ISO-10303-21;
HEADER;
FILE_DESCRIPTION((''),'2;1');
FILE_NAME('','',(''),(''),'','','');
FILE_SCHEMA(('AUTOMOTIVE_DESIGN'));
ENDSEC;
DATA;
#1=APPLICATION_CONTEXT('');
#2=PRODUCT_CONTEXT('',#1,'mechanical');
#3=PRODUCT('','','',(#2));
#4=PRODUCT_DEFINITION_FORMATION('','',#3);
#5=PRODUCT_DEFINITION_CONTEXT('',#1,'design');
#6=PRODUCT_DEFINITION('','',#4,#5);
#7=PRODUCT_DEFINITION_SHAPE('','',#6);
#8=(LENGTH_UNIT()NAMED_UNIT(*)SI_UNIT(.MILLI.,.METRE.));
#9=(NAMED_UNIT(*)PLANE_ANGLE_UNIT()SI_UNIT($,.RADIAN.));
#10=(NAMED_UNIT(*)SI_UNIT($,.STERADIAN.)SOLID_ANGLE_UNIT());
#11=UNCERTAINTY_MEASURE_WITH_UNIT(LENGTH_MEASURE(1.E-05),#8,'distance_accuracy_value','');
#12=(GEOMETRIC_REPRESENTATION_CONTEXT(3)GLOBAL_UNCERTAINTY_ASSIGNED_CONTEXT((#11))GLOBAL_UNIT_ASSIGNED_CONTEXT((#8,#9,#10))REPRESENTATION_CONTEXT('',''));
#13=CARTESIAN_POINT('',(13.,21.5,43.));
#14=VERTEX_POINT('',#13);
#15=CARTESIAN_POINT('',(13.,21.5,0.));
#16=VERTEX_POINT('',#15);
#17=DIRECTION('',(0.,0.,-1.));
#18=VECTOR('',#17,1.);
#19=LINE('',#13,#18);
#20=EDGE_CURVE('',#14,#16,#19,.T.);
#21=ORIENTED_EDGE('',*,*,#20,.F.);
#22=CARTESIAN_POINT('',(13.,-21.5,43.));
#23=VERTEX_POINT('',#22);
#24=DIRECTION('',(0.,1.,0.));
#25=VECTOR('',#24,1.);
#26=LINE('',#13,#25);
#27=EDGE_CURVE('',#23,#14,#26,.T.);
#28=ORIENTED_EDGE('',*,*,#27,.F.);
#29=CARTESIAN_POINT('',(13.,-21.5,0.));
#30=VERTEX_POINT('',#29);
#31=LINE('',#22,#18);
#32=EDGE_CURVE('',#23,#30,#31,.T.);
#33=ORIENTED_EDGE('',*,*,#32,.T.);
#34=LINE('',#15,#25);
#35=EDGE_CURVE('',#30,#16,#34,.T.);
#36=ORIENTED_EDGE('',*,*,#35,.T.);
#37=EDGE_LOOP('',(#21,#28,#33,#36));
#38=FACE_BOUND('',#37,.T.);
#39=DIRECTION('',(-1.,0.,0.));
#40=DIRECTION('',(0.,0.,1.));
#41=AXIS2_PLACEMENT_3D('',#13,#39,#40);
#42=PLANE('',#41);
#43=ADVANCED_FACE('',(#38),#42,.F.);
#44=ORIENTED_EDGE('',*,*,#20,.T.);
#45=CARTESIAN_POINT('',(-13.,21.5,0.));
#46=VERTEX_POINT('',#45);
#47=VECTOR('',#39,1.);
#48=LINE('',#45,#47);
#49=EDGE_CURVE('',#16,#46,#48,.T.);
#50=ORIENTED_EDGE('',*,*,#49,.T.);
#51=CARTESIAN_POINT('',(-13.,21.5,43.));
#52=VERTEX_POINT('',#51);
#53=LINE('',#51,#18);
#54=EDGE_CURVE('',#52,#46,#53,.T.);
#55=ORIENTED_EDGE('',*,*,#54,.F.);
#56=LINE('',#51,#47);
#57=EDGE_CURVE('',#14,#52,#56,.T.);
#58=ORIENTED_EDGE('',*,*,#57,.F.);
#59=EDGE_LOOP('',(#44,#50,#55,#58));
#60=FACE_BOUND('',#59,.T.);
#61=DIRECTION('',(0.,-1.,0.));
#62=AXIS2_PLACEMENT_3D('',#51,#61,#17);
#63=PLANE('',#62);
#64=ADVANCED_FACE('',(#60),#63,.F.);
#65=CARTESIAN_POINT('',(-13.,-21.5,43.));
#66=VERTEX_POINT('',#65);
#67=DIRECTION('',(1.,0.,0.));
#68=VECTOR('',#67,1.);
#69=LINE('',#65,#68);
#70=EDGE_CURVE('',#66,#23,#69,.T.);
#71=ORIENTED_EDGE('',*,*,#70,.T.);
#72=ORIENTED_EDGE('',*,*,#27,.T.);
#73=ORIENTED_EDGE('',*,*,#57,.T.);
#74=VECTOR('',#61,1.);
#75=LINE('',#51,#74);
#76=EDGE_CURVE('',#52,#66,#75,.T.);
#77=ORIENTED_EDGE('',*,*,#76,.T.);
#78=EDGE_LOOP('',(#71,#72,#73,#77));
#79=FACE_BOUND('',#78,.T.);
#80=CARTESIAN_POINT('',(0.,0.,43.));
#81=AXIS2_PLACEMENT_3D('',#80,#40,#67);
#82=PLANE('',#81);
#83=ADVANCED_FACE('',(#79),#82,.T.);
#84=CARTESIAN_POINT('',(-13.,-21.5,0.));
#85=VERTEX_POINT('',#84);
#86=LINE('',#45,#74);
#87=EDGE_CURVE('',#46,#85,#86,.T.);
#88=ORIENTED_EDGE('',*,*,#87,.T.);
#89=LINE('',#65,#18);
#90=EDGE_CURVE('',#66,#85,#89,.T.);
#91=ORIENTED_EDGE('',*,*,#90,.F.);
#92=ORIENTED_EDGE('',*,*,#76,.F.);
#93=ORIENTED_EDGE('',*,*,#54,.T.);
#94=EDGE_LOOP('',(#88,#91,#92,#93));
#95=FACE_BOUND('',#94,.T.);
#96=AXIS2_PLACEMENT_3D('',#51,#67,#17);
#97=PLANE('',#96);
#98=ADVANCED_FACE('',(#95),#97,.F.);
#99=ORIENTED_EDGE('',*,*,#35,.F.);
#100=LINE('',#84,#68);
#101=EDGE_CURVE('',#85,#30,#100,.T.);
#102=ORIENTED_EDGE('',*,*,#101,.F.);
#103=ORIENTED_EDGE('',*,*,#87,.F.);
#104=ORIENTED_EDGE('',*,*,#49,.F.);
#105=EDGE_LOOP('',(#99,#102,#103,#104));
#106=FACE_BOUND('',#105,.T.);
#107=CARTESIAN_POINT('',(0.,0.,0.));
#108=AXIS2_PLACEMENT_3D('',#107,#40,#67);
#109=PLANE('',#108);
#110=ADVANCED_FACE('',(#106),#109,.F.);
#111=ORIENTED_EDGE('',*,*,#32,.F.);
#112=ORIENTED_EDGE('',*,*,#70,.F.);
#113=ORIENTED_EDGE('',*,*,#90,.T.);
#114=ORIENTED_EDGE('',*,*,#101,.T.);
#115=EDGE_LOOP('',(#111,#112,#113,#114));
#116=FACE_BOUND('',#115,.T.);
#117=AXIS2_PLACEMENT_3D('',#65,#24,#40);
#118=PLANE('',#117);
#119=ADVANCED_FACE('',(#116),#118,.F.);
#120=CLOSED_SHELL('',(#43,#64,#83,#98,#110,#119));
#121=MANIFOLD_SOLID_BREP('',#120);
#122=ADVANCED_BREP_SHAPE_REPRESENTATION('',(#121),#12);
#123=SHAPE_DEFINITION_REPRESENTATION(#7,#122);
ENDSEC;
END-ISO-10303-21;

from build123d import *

# Parameters (mm, degrees)
SKETCH1_W           = 26
SKETCH1_H           = 43
BOSS_EXTRUDE1_DEPTH = 43


with BuildPart() as part:
    # Sketch1 → Boss-Extrude1 (new body)
    with BuildSketch(Plane.XY):
        Rectangle(SKETCH1_W, SKETCH1_H)
    extrude(amount=BOSS_EXTRUDE1_DEPTH)


solid = part.part
